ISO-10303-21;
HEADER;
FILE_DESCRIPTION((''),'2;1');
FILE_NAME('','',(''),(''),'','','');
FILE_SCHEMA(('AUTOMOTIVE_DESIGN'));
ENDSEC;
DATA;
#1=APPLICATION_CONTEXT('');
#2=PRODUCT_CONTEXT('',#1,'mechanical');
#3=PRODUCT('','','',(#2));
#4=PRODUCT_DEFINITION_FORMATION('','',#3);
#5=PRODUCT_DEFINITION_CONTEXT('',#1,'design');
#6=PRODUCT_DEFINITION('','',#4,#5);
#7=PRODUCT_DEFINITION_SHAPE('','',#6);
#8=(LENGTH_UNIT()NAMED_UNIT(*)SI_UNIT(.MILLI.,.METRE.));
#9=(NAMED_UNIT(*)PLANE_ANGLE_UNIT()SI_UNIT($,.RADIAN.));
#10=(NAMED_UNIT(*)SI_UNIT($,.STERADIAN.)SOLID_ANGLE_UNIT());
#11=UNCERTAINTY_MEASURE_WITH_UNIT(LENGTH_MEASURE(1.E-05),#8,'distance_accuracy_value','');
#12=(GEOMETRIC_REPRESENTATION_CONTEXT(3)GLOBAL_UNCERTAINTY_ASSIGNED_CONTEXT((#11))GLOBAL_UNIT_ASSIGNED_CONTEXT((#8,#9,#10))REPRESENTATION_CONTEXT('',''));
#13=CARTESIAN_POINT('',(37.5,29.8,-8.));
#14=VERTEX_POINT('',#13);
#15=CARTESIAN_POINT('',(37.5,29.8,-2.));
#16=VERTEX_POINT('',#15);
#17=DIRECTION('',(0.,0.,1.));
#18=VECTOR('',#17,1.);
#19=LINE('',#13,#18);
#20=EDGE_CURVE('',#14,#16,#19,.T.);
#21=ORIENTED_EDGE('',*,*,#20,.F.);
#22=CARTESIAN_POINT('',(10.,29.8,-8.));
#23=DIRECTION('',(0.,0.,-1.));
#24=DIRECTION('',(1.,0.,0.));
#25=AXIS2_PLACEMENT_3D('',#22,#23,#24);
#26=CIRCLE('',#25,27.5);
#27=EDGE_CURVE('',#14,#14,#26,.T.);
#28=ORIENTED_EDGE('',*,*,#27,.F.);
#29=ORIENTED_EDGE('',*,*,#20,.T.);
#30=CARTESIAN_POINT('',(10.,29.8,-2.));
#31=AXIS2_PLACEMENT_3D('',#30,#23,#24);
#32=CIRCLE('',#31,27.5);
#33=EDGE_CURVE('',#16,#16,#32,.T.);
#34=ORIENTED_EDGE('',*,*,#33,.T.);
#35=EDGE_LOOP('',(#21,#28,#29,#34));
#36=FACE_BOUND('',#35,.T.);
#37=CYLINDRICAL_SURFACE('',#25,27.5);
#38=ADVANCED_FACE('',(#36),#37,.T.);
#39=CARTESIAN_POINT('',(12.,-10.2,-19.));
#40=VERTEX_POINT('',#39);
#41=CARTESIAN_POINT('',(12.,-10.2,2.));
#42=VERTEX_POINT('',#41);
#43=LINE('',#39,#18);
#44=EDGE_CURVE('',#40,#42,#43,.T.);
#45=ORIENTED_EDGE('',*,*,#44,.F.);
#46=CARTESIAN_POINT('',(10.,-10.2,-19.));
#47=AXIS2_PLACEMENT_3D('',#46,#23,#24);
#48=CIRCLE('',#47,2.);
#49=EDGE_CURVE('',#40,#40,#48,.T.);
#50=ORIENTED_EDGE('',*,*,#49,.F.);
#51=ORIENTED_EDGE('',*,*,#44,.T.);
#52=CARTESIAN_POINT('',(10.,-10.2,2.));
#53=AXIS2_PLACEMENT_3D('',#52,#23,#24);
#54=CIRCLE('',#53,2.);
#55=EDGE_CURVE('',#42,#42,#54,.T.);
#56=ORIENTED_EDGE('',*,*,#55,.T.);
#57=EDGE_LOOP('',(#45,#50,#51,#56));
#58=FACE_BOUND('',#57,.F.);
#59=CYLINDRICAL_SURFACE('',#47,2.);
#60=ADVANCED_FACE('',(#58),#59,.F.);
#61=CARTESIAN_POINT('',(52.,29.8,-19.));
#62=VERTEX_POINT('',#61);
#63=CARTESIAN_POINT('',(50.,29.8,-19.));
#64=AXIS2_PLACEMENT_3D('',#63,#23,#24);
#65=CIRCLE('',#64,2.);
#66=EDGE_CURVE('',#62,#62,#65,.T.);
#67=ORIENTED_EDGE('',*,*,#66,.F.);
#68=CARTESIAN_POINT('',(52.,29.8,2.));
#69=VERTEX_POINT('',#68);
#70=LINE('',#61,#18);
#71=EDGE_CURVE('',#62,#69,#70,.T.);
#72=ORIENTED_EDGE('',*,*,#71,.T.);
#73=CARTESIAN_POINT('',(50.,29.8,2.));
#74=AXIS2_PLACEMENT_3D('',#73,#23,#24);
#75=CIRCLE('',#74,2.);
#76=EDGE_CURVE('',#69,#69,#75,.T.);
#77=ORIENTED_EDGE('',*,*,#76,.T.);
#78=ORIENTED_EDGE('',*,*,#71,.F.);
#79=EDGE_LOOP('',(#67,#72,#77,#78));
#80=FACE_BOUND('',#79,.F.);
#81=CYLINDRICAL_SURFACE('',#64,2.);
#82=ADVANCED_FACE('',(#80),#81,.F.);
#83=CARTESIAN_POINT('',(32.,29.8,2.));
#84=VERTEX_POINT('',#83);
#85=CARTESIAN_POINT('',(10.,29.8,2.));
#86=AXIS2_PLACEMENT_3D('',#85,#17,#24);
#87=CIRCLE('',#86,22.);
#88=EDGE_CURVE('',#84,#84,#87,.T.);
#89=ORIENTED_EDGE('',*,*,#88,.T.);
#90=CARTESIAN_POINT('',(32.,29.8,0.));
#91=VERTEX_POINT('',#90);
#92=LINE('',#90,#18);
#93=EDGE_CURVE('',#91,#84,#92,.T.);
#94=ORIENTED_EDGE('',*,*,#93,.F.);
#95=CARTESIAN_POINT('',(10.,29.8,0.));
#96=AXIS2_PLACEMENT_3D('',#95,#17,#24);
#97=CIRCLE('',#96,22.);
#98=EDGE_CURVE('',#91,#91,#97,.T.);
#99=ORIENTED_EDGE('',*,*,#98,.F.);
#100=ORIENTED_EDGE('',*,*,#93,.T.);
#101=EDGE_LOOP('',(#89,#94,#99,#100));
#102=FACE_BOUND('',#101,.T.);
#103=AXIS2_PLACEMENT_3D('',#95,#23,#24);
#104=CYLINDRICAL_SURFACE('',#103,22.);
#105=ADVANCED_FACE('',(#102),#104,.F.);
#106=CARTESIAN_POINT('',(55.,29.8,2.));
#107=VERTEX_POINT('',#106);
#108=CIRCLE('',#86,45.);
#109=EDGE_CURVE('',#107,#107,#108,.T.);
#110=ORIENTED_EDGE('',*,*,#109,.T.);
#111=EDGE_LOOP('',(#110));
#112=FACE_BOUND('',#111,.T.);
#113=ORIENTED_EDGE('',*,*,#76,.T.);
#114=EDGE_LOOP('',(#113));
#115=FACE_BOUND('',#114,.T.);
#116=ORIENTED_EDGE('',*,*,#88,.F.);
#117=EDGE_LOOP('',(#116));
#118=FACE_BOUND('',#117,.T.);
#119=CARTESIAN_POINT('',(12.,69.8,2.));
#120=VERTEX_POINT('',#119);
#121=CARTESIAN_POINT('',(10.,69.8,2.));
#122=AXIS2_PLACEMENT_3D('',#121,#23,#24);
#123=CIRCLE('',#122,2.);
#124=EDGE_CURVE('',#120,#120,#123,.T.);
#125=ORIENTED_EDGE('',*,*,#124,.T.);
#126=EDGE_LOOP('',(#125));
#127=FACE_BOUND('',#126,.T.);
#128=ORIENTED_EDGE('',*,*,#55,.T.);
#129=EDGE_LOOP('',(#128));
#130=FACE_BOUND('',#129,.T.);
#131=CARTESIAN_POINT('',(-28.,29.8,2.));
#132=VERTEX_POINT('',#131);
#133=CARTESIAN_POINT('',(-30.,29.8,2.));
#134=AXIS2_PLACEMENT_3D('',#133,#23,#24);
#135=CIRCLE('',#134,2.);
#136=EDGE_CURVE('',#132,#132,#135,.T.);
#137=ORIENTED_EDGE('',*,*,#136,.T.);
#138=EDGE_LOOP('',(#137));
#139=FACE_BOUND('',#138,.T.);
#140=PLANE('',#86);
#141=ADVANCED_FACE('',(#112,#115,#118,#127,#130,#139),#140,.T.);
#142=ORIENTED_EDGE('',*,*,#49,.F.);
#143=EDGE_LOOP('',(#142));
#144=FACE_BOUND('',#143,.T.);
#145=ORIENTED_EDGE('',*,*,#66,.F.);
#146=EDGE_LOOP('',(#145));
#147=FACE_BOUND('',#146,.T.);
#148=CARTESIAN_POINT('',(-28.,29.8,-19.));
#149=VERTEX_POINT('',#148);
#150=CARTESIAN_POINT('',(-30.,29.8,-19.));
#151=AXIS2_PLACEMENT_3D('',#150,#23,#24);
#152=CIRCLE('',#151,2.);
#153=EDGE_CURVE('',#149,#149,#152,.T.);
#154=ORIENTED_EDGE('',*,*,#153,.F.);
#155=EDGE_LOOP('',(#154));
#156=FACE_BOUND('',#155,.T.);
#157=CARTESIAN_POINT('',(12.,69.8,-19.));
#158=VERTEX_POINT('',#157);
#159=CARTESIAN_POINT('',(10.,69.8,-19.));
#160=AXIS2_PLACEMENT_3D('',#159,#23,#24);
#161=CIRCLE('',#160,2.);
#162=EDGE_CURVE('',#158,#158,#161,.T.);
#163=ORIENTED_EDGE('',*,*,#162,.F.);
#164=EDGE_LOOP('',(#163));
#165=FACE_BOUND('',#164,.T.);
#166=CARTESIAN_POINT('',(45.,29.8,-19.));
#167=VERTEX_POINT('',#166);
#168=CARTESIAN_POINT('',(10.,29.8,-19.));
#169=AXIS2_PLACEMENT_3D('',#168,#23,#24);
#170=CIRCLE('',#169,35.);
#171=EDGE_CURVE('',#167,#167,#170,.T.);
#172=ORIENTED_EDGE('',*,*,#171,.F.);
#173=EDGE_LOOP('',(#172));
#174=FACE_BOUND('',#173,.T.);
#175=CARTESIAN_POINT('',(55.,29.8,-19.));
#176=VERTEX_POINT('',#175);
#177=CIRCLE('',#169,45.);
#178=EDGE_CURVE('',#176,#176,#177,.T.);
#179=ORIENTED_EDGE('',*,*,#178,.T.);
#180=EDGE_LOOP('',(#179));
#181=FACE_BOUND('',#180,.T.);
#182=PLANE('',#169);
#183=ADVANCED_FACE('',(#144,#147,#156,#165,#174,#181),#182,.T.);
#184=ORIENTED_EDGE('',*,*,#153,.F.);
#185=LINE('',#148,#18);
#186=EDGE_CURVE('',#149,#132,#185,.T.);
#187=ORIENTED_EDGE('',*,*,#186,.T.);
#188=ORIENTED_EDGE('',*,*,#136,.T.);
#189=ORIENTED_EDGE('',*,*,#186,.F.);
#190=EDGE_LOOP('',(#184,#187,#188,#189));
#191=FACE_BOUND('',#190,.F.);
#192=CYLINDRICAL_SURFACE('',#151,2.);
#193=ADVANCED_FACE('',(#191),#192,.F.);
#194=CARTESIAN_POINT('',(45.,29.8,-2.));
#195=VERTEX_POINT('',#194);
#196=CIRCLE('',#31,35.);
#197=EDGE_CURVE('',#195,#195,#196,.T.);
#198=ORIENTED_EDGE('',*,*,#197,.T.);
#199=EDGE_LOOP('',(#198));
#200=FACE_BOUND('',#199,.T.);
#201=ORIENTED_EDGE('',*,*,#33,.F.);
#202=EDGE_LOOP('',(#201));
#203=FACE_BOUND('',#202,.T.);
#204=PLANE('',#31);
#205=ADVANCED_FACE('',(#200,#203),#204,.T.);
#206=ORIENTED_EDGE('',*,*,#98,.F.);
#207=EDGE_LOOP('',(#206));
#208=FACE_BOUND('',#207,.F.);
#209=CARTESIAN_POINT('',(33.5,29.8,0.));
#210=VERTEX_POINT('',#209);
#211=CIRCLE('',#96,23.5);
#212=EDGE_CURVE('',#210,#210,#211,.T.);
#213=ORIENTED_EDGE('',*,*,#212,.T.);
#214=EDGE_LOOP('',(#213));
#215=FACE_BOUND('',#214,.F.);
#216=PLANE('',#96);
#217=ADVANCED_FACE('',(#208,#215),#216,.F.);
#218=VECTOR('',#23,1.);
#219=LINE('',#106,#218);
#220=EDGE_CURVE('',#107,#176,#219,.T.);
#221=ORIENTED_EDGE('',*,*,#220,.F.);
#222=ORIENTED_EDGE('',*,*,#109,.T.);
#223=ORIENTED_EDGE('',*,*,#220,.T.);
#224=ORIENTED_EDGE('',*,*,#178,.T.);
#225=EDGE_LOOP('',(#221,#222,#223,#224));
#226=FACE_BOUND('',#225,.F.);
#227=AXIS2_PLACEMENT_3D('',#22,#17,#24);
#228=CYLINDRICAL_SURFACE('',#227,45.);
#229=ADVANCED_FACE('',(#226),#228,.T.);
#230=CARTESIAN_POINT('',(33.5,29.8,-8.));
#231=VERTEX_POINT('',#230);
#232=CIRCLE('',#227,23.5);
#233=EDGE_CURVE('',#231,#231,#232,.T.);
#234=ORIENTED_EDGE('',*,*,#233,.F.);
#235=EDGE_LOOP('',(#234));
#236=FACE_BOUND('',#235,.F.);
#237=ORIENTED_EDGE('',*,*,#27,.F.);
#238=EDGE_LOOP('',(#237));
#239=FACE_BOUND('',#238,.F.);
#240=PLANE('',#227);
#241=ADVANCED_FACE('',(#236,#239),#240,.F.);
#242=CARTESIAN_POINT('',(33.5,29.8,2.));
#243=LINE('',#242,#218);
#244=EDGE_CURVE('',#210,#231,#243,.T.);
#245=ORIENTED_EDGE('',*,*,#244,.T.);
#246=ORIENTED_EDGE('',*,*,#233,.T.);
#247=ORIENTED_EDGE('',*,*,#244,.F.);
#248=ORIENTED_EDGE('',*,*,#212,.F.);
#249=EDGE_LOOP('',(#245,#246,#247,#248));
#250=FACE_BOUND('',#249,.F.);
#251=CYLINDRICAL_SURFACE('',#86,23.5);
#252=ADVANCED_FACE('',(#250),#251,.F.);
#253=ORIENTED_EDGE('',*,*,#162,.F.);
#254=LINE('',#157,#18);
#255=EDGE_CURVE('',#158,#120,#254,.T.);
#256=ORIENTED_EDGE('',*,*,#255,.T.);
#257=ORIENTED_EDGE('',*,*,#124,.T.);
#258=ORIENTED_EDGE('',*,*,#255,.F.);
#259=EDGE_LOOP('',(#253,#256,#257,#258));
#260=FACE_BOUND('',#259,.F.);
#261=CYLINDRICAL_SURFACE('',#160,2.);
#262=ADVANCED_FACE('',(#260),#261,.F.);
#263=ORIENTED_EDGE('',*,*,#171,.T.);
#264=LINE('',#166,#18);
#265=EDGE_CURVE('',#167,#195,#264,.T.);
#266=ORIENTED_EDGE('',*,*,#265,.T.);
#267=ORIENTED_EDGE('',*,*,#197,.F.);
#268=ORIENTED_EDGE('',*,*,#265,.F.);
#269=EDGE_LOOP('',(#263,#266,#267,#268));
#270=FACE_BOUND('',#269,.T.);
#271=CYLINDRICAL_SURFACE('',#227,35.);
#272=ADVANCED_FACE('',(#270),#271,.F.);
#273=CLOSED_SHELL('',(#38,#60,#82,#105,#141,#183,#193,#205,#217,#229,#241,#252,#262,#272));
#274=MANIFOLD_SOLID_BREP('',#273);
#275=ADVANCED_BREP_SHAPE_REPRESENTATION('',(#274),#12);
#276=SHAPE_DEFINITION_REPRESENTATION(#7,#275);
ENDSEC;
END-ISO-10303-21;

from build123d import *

# Parameters (mm, degrees)
F0_R        = 23.5
F0_R_2      = 22
F1_DEPTH    = 2
F2_R        = 45
F2_R_2      = 23.5
F3_DEPTH    = 10
F4_R        = 35
F4_R_2      = 27.5
F5_DEPTH    = 6
F5_FACE_R   = 45
F5_FACE_R_2 = 35
F6_DEPTH    = 11
F7_R        = 2
F8_DEPTH    = 21.001


with BuildPart() as f1:
    # F0 (on Top) → F1 (new body)
    with BuildSketch(Plane.XY):
        with Locations((10, 29.8)):
            Circle(F0_R)
        with Locations((10, 29.8)):
            Circle(F0_R_2, mode=Mode.SUBTRACT)
    extrude(amount=F1_DEPTH)

    # F2 (on face) → F3 (join)
    with BuildSketch(Plane.XY.offset(2)):
        with Locations((10, 29.8)):
            Circle(F2_R)
        with Locations((10, 29.8)):
            Circle(F2_R_2, mode=Mode.SUBTRACT)
    extrude(amount=-F3_DEPTH)

    # F4 (on face) → F5 (cut)
    with BuildSketch(Plane(origin=(0, 0, -8), x_dir=(1, 0, 0), z_dir=(0, 0, -1))):
        with Locations((10, -29.8)):
            Circle(F4_R)
        with Locations((10, -29.8)):
            Circle(F4_R_2, mode=Mode.SUBTRACT)
    extrude(amount=-F5_DEPTH, mode=Mode.SUBTRACT)

    # F5_face (on face) → F6 (join)
    with BuildSketch(Plane(origin=(10, 29.8, -8), x_dir=(1, 0, 0), z_dir=(0, 0, -1))):
        Circle(F5_FACE_R)
        Circle(F5_FACE_R_2, mode=Mode.SUBTRACT)
    extrude(amount=F6_DEPTH)

    # F7 (on face) → F8 (cut, through all)
    with BuildSketch(Plane(origin=(0, 0, -19), x_dir=(1, 0, 0), z_dir=(0, 0, -1))):
        with Locations((10, 10.2)):
            Circle(F7_R)
        with Locations((-30, -29.8)):
            Circle(F7_R)
        with Locations((10, -69.8)):
            Circle(F7_R)
        with Locations((50, -29.8)):
            Circle(F7_R)
    extrude(amount=-F8_DEPTH, mode=Mode.SUBTRACT)


solid = f1.part
